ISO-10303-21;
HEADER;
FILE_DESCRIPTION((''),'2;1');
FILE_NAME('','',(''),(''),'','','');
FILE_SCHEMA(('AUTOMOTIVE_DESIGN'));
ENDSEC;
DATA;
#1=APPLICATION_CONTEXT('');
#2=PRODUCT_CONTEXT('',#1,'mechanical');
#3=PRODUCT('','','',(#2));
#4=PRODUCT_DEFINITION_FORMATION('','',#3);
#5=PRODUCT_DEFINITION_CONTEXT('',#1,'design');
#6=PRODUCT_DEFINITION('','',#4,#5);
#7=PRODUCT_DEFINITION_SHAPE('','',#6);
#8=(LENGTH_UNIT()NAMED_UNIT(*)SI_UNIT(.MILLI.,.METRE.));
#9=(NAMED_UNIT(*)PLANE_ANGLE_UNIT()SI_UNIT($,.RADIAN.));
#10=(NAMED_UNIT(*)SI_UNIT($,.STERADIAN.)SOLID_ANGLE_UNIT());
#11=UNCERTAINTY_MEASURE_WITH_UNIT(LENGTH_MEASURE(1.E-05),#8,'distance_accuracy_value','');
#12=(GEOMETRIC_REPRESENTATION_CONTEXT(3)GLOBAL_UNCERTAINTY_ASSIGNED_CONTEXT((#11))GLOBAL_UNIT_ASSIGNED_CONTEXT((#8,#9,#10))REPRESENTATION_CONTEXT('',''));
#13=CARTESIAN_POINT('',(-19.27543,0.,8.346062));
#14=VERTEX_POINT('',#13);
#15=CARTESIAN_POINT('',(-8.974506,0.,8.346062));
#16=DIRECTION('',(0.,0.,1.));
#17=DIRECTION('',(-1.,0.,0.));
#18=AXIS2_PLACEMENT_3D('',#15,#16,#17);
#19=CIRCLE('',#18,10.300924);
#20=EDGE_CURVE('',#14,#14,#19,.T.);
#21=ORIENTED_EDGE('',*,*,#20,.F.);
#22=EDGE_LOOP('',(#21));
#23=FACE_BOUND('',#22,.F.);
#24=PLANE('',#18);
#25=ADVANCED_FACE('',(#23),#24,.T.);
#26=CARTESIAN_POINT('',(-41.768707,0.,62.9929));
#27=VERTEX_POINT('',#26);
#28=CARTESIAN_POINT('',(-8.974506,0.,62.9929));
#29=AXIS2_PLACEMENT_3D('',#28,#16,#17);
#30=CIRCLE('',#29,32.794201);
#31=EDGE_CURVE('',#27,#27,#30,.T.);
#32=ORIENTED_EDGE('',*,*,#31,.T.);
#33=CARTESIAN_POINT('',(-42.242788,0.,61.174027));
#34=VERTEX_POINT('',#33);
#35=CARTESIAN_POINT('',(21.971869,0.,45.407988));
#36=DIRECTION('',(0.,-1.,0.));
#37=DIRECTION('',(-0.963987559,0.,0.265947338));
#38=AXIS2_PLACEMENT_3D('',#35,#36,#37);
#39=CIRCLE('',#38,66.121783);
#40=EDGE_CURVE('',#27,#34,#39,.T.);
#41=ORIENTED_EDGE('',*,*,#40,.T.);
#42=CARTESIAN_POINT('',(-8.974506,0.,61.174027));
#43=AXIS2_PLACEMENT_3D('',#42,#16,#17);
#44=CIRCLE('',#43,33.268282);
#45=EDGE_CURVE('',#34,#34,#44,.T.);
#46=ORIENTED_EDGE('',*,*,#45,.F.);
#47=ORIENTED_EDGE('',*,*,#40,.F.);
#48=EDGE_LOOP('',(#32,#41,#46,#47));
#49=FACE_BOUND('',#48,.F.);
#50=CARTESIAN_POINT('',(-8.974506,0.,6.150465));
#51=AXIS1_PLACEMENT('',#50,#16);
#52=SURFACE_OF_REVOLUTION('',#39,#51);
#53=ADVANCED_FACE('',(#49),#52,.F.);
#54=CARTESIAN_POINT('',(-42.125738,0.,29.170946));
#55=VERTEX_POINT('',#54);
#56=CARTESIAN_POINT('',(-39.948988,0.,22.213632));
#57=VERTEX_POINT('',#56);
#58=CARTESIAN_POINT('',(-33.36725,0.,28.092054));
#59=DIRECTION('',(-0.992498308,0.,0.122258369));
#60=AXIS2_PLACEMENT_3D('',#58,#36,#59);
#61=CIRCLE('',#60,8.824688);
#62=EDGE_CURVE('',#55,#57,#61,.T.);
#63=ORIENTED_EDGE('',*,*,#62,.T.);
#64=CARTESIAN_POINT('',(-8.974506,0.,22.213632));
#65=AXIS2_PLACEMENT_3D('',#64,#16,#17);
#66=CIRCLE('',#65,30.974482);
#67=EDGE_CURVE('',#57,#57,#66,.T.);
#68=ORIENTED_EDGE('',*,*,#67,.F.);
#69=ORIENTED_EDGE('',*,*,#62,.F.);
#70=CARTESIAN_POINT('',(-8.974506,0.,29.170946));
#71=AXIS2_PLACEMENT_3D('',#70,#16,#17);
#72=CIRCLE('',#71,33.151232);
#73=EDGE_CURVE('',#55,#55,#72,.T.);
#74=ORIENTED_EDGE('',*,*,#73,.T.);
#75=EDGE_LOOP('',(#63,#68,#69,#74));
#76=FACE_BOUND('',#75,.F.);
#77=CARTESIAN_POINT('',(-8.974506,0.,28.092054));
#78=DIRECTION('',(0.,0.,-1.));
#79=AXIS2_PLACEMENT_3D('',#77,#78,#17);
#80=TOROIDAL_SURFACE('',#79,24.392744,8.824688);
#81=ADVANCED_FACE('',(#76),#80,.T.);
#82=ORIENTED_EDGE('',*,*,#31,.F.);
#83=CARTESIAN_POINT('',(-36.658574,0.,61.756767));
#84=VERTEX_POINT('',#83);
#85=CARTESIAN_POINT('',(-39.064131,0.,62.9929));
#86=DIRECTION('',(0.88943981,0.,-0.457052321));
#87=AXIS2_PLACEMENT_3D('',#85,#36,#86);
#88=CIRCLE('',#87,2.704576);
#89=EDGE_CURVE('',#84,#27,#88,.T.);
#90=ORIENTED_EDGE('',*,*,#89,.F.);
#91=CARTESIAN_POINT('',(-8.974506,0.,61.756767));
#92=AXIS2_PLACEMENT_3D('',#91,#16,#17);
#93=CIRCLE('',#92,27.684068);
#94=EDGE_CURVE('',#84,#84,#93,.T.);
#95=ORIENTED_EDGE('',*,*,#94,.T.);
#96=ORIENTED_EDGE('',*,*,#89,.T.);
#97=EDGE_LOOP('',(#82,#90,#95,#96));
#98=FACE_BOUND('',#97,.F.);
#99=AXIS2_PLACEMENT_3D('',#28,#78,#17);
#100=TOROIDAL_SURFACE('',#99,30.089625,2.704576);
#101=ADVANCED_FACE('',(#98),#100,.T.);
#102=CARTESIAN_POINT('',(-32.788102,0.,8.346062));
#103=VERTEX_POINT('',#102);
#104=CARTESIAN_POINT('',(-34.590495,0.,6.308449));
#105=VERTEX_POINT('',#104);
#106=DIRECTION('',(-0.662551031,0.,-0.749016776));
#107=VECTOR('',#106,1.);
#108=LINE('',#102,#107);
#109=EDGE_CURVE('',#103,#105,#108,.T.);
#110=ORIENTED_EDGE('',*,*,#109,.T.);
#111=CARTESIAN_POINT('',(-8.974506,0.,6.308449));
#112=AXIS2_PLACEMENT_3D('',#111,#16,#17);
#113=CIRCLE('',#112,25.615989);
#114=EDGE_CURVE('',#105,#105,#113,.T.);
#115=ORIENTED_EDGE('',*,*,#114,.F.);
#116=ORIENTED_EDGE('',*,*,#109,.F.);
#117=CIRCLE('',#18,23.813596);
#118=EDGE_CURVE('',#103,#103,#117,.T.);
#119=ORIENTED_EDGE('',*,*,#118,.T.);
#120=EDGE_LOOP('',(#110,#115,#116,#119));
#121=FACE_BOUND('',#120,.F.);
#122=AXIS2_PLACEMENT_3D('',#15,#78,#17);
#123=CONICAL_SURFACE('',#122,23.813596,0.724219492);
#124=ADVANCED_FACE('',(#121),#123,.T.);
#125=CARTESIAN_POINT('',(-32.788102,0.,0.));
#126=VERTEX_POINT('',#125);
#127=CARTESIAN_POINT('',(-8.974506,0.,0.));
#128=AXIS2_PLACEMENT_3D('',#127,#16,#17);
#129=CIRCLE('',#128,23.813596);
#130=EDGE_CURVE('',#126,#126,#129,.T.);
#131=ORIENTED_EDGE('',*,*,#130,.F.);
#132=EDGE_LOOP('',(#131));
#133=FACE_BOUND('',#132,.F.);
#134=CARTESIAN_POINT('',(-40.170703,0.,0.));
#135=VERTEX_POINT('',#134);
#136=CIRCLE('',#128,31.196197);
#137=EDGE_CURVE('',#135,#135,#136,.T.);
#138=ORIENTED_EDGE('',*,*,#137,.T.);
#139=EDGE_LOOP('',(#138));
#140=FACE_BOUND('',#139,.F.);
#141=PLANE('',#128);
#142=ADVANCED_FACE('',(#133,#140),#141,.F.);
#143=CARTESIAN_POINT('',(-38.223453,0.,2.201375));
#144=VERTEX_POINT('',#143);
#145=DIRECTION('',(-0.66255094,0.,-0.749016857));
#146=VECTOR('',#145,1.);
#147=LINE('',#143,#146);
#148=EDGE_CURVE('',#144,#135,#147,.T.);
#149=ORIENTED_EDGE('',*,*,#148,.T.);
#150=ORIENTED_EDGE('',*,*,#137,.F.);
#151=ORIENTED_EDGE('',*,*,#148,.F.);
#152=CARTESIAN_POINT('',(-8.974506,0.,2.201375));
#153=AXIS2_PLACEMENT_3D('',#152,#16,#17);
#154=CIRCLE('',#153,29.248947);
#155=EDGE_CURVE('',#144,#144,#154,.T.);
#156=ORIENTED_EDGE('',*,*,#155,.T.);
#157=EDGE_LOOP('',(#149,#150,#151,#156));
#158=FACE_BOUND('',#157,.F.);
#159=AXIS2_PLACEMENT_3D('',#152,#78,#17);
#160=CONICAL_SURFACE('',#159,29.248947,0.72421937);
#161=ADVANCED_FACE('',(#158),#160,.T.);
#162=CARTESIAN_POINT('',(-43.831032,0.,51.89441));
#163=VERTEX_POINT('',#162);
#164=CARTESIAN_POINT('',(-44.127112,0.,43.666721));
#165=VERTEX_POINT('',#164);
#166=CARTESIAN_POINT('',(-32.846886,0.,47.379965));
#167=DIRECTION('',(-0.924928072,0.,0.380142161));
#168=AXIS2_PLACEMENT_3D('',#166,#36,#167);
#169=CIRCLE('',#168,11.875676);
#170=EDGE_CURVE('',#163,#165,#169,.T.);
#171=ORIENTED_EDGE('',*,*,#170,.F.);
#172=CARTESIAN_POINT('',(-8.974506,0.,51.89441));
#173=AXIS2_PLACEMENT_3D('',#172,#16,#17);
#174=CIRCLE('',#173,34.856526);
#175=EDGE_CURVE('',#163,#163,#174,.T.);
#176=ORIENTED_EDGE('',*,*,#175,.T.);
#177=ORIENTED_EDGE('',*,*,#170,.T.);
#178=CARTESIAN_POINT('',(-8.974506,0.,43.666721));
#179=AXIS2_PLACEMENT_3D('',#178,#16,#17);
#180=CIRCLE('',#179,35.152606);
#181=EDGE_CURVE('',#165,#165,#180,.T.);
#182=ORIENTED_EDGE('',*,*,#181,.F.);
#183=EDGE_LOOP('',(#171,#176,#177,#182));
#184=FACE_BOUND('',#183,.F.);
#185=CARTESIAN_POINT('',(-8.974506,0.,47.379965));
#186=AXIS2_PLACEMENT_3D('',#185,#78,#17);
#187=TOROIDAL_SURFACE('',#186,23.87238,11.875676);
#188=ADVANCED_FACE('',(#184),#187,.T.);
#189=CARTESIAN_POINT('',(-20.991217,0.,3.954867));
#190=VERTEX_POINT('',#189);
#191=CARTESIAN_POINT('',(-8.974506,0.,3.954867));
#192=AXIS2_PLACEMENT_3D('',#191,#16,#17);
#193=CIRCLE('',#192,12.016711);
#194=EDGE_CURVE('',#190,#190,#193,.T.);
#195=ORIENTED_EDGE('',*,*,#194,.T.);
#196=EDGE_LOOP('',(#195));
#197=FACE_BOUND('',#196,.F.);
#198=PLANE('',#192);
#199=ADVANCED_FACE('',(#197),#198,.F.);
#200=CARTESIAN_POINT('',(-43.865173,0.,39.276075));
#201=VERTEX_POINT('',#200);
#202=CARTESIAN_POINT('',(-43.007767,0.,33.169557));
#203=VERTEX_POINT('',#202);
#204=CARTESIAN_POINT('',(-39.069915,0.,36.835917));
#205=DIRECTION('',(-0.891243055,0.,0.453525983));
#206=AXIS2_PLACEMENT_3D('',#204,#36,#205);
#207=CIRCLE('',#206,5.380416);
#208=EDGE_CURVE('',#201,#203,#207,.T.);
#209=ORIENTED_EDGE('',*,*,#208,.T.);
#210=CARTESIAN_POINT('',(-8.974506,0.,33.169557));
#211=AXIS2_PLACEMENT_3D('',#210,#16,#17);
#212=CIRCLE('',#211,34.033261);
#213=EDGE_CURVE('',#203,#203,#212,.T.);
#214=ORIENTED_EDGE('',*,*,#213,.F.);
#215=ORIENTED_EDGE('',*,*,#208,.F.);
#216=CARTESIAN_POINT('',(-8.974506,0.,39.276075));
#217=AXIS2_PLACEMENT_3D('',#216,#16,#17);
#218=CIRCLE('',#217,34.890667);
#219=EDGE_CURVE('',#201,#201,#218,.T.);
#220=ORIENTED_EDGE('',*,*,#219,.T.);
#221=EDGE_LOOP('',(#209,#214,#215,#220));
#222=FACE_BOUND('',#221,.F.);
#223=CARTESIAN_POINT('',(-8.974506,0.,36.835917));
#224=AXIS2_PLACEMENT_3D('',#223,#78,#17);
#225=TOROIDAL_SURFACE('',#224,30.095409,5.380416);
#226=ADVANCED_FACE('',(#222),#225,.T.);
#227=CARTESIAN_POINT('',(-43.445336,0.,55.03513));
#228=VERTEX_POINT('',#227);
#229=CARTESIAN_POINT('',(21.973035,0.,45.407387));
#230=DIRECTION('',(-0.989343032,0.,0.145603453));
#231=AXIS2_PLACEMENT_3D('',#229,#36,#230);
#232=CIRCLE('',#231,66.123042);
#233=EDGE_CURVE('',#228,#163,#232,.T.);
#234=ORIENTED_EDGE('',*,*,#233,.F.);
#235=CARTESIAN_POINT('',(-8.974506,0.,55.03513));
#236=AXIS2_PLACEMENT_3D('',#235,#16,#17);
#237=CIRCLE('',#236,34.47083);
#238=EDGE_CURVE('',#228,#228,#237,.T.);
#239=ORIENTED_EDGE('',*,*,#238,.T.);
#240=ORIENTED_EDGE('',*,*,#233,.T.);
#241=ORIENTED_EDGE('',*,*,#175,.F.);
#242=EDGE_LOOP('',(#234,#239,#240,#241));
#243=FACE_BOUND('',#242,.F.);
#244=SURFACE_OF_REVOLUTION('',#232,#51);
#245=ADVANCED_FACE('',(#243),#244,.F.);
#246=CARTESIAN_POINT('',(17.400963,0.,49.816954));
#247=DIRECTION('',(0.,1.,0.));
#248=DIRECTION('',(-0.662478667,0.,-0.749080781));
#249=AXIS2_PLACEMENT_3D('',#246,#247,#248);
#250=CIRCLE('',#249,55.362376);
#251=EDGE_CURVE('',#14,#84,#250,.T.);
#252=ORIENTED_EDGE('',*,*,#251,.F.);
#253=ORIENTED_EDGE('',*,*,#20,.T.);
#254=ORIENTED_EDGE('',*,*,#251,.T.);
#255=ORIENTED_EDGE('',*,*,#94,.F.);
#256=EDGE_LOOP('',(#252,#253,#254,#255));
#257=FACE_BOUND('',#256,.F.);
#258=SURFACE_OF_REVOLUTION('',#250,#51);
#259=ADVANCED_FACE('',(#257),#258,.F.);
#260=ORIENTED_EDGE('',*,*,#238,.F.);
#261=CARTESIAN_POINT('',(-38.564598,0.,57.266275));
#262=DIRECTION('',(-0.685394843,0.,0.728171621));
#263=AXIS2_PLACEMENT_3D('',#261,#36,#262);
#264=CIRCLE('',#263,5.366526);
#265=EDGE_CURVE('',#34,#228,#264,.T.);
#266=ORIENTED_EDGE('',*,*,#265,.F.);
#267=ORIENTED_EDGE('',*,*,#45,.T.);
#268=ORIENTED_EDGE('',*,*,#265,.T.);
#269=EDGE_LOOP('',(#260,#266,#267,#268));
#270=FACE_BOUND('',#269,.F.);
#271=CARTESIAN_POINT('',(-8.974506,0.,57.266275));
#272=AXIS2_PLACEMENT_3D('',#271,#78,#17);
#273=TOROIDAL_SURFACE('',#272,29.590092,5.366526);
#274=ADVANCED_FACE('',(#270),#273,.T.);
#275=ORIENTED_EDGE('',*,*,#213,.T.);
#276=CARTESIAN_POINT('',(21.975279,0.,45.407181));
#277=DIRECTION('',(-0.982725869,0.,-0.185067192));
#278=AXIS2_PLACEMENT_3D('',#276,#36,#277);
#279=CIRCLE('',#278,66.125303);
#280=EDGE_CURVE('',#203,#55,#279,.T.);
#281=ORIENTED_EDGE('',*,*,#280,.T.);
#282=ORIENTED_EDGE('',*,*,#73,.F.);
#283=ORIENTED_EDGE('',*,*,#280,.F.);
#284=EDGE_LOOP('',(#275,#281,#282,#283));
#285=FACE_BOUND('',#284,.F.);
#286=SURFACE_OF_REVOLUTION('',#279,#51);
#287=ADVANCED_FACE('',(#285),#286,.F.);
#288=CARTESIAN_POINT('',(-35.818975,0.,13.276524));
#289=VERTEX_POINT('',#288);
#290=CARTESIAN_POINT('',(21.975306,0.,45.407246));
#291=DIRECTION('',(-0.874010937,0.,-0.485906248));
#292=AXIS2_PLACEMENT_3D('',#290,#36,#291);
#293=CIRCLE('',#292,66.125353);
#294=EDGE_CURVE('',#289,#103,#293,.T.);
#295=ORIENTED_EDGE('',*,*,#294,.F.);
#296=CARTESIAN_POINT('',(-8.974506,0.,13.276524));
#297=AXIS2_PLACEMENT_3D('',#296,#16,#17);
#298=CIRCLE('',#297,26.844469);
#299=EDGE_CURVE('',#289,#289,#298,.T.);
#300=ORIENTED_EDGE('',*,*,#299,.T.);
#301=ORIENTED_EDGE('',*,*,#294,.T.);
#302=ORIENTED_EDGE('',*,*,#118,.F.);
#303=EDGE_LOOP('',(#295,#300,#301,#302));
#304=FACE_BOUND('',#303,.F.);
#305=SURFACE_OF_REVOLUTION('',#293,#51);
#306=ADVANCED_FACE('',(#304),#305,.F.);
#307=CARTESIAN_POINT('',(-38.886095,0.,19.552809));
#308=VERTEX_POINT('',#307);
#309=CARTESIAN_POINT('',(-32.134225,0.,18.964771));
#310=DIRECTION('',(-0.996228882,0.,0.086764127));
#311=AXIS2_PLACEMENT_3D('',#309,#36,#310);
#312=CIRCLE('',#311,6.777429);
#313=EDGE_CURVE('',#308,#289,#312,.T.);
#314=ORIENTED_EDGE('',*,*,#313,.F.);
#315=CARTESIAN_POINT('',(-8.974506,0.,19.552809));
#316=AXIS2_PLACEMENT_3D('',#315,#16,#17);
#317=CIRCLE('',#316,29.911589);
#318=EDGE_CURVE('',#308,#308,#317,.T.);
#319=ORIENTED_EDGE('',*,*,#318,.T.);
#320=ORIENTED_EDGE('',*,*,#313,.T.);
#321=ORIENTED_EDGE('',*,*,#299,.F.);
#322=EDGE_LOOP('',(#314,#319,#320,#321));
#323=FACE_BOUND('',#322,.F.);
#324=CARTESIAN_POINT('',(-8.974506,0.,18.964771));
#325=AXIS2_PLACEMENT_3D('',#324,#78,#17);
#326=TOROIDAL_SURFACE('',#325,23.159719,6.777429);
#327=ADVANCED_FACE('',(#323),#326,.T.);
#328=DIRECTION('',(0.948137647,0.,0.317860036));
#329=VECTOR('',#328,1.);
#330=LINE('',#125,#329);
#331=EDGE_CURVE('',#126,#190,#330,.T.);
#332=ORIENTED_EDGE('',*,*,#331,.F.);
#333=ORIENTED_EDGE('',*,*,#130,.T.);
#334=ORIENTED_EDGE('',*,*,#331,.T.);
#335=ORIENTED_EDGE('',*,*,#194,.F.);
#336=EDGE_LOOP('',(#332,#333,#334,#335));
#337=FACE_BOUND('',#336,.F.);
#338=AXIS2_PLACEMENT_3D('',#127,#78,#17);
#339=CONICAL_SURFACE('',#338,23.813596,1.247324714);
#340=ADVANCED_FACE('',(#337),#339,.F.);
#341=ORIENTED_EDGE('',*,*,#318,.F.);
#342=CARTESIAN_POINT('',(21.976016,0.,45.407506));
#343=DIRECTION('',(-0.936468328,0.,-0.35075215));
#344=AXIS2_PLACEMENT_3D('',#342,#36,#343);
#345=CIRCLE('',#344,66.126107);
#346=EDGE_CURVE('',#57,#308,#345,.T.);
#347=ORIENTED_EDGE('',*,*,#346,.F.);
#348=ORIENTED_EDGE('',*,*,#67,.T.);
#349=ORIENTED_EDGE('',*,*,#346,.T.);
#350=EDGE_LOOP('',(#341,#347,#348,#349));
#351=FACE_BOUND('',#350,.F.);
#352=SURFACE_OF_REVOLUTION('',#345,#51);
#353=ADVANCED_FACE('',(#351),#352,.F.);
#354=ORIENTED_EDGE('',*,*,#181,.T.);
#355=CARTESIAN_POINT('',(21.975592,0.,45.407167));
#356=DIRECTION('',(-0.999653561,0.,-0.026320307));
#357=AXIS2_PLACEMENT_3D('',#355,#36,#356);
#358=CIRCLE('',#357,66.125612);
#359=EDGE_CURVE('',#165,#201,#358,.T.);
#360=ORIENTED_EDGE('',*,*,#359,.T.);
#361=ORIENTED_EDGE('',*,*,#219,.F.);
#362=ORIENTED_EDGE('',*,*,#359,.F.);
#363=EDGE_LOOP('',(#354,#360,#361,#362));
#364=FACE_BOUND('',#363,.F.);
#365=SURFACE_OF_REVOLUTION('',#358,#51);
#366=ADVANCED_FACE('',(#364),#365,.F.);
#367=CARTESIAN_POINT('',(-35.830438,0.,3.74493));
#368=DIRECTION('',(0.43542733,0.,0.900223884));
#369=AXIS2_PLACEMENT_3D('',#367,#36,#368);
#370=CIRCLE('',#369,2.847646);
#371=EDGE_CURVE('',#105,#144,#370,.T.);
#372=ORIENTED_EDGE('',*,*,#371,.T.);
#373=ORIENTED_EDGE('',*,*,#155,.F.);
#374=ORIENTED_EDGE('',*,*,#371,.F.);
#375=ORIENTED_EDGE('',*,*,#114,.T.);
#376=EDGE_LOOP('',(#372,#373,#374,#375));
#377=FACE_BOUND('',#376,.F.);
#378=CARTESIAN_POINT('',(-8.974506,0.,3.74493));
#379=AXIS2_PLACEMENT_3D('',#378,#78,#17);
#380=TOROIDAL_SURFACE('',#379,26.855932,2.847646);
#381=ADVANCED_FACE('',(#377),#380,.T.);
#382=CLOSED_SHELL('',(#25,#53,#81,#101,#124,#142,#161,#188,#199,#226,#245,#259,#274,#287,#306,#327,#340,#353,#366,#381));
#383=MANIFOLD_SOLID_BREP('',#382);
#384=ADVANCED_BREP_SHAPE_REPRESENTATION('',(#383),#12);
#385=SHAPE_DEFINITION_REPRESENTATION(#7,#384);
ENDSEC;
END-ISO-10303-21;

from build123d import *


with BuildPart() as f1:
    # F0 (on Front) → F1 (revolve)
    with BuildSketch(Plane.XZ):
        with BuildLine():
            Line((-10.02069, 8.346062), (-19.27543, 8.346062))
            ThreePointArc((-19.27543, 8.346062), (-35.243392, 32.683228), (-36.658574, 61.756767))
            ThreePointArc((-36.658574, 61.756767), (-38.428239, 65.621658), (-41.768707, 62.9929))
            ThreePointArc((-41.768707, 62.9929), (-42.012211, 62.085148), (-42.242788, 61.174027))
            ThreePointArc((-42.242788, 61.174027), (-43.831032, 58.297916), (-43.445336, 55.03513))
            ThreePointArc((-43.445336, 55.03513), (-43.656974, 53.467078), (-43.831032, 51.89441))
            ThreePointArc((-43.831032, 51.89441), (-44.71488, 47.807044), (-44.127112, 43.666721))
            ThreePointArc((-44.127112, 43.666721), (-44.032659, 41.46922), (-43.865173, 39.276075))
            ThreePointArc((-43.865173, 39.276075), (-44.398066, 36.0878), (-43.007767, 33.169557))
            ThreePointArc((-43.007767, 33.169557), (-42.597711, 31.163422), (-42.125738, 29.170946))
            ThreePointArc((-42.125738, 29.170946), (-41.789345, 25.457014), (-39.948988, 22.213632))
            ThreePointArc((-39.948988, 22.213632), (-39.431955, 20.877463), (-38.886095, 19.552809))
            ThreePointArc((-38.886095, 19.552809), (-38.223453, 15.989063), (-35.818975, 13.276524))
            ThreePointArc((-35.818975, 13.276524), (-34.357506, 10.778118), (-32.788102, 8.346062))
            Line((-32.788102, 8.346062), (-34.590495, 6.308449))
            ThreePointArc((-34.590495, 6.308449), (-37.963372, 5.631641), (-38.223453, 2.201375))
            Line((-38.223453, 2.201375), (-40.170703, 0))
            Line((-40.170703, 0), (-32.788102, 0))
            Line((-32.788102, 0), (-20.991217, 3.954867))
            Line((-20.991217, 3.954867), (-8.974506, 3.954867))
            Line((-8.974506, 3.954867), (-8.974506, 8.346062))
            Line((-8.974506, 8.346062), (-10.02069, 8.346062))
        make_face()
    revolve(axis=Axis((-8.974506, 0, 6.150465), (0, 0, 1)))


solid = f1.part
